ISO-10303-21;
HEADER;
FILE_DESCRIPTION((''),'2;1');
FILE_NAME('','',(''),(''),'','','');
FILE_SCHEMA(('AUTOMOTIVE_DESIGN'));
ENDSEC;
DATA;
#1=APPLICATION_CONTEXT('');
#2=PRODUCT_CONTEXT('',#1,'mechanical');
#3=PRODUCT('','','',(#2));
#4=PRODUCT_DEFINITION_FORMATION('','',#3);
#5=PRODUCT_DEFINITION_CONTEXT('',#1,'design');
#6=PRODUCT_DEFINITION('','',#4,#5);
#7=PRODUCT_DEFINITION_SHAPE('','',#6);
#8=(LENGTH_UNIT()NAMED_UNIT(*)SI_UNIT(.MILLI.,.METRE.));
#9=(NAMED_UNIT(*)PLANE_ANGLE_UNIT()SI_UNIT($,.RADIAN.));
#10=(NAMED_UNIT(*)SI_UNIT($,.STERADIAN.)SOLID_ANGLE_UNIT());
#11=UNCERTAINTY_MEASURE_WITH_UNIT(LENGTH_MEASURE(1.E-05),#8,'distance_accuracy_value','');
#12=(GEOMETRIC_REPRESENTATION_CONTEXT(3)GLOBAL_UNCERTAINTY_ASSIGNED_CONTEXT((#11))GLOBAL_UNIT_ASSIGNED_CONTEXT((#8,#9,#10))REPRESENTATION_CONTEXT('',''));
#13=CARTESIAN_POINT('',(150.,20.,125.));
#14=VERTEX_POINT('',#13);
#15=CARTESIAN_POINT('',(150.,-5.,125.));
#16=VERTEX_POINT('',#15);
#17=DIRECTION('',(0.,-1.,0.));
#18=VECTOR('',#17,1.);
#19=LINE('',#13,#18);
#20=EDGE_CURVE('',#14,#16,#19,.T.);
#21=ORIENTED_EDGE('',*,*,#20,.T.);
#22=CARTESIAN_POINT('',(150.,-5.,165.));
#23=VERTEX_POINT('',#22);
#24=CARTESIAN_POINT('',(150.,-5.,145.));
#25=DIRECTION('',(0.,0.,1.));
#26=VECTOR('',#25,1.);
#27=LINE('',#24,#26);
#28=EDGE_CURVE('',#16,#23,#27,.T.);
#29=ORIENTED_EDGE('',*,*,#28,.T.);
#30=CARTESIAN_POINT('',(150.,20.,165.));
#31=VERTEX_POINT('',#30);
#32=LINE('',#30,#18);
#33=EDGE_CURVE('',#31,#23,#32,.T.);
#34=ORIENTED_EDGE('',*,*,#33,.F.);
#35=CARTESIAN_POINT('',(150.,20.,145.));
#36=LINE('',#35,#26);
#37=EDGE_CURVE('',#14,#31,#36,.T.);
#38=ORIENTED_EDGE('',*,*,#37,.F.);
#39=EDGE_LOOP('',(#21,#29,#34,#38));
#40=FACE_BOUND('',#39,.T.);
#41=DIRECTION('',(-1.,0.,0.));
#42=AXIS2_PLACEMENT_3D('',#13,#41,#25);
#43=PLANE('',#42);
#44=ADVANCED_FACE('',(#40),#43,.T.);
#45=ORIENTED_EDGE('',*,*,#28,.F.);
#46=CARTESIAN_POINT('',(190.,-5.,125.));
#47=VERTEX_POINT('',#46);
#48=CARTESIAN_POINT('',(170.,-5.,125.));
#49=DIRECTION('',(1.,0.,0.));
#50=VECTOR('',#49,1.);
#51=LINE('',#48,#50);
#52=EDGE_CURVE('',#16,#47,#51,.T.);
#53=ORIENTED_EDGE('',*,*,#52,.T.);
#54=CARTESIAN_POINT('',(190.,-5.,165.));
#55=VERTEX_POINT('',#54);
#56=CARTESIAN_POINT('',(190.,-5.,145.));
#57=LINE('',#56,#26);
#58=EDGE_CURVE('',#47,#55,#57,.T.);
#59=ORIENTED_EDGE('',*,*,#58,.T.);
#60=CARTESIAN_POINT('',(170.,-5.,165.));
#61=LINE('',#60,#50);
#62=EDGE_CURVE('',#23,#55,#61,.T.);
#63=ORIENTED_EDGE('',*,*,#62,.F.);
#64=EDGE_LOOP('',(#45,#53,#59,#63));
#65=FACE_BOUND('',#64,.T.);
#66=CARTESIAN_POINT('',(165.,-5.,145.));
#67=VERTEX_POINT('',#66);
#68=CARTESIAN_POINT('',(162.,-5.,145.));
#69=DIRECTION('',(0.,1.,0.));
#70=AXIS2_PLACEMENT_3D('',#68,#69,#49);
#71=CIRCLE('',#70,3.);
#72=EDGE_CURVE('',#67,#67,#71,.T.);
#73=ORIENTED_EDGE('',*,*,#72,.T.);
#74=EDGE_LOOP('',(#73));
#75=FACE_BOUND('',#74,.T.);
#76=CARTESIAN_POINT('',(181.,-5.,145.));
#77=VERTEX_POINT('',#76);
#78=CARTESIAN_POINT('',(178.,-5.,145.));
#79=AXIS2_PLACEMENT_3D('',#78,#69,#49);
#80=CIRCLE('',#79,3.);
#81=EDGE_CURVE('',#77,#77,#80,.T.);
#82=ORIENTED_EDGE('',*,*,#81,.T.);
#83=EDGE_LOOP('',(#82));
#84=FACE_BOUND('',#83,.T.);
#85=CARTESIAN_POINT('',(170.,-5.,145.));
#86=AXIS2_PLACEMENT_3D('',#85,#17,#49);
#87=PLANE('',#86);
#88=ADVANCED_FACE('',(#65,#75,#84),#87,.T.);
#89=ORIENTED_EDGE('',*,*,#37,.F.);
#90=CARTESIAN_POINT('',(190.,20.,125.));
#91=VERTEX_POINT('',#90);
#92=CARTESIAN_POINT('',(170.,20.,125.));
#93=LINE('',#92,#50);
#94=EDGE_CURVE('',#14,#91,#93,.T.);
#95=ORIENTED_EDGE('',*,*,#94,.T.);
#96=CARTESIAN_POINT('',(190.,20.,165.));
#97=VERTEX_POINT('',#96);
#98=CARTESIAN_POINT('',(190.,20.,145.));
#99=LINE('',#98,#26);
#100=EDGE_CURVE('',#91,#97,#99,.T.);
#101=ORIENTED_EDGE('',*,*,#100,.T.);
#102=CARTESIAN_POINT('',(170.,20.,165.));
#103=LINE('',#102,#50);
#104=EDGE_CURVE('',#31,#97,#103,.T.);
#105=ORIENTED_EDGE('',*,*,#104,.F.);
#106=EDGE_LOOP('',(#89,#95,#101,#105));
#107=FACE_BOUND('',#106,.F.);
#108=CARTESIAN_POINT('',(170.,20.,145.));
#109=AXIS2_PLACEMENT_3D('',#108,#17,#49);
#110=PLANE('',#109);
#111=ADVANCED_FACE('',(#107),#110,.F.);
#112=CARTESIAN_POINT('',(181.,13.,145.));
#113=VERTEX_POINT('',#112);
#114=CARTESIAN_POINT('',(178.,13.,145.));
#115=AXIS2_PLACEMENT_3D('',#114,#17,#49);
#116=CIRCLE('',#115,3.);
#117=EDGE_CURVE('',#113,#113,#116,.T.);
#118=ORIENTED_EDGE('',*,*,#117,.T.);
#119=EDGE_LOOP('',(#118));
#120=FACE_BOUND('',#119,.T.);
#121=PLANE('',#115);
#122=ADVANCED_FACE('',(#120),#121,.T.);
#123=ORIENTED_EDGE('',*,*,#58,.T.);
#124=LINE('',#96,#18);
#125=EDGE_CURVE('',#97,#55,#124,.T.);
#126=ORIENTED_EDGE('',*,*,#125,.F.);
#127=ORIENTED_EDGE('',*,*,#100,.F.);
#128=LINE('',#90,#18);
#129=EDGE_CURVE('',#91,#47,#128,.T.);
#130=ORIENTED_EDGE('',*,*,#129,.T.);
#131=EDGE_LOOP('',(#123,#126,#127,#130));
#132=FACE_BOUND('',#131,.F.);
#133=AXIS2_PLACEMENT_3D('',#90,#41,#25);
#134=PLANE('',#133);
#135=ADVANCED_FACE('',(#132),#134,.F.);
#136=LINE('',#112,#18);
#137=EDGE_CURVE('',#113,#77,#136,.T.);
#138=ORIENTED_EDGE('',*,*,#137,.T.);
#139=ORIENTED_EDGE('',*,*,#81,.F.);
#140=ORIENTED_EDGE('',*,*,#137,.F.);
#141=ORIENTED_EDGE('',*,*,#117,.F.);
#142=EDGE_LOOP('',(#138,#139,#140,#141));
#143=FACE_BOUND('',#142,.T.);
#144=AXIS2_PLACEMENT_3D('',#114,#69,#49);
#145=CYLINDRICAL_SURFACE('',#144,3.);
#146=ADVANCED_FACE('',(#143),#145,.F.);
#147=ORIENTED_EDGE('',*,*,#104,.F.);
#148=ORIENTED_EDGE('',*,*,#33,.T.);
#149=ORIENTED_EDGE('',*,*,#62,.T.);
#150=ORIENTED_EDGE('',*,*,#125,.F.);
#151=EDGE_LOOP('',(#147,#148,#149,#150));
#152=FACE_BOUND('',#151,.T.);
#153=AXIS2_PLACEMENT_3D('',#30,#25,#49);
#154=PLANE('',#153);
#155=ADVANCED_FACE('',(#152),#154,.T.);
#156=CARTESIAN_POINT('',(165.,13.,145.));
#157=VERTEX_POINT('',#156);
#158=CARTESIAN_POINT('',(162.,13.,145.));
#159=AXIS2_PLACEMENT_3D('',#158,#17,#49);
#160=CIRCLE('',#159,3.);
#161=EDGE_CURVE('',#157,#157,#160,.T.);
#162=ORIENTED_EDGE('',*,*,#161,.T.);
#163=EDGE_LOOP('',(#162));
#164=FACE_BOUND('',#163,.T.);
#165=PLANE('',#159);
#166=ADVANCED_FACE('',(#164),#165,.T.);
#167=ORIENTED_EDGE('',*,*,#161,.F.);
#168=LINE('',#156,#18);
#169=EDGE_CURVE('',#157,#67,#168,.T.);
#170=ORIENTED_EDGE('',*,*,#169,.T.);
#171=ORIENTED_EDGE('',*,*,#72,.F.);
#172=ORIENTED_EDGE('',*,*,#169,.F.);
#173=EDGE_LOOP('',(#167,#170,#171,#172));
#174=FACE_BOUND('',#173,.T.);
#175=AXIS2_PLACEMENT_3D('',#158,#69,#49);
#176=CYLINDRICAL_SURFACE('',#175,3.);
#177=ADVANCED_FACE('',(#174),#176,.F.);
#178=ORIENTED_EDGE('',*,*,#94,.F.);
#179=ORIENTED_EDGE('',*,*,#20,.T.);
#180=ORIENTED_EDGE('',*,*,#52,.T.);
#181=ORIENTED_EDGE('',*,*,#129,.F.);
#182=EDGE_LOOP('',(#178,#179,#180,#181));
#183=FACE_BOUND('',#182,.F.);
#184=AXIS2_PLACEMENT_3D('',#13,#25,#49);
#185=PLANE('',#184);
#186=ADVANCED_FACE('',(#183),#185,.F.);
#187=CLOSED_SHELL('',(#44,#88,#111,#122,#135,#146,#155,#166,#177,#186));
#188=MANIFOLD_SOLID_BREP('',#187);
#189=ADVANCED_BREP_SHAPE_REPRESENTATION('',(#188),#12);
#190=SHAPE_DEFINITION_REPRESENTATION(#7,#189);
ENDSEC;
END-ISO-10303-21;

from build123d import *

# Parameters (mm, degrees)
CYLINDER016_R          = 3
CYLINDER016_DEPTH      = 20
CYLINDER016_ROLL_ANGLE = 90
CYLINDER015_R          = 3
CYLINDER015_DEPTH      = 20
CYLINDER015_ROLL_ANGLE = 90
BOX016_W               = 40
BOX016_H               = 40
BOX016_DEPTH           = 25
BOX016_ROLL_ANGLE      = 90


with BuildPart() as cylinder016:
    # Cylinder016 → Cylinder016 (new body)
    with BuildSketch(Plane.XY):
        Circle(CYLINDER016_R)
    extrude(amount=CYLINDER016_DEPTH)


with BuildPart() as cylinder016_1:
    # Cylinder016 roll: moved
    add(cylinder016.part.rotate(Axis((0, 0, 0), (1, 0, 0)), CYLINDER016_ROLL_ANGLE))


with BuildPart() as cylinder016_2:
    # Cylinder016 placement: moved
    add(cylinder016_1.part.moved(Location((162, -7, 145))))


with BuildPart() as cylinder015:
    # Cylinder015 → Cylinder015 (new body)
    with BuildSketch(Plane.XY):
        Circle(CYLINDER015_R)
    extrude(amount=CYLINDER015_DEPTH)


with BuildPart() as cylinder015_1:
    # Cylinder015 roll: moved
    add(cylinder015.part.rotate(Axis((0, 0, 0), (1, 0, 0)), CYLINDER015_ROLL_ANGLE))


with BuildPart() as cylinder015_2:
    # Cylinder015 placement: moved
    add(cylinder015_1.part.moved(Location((178, -7, 145))))


with BuildPart() as cut009:
    # Box016 → Box016 (new body)
    with BuildSketch(Plane.XY):
        with Locations((20, 20)):
            Rectangle(BOX016_W, BOX016_H)
    extrude(amount=BOX016_DEPTH)


with BuildPart() as cut009_1:
    # Box016 roll: moved
    add(cut009.part.rotate(Axis((0, 0, 0), (1, 0, 0)), BOX016_ROLL_ANGLE))


with BuildPart() as cut009_2:
    # Box016 placement: moved
    add(cut009_1.part.moved(Location((150, 0, 125))))

    # Cut008: cut Cylinder015
    add(cylinder015_2.part, mode=Mode.SUBTRACT)

    # Cut009: cut Cylinder016
    add(cylinder016_2.part, mode=Mode.SUBTRACT)


with BuildPart() as cut009_3:
    # Cut009 placement: moved
    add(cut009_2.part.moved(Location((0, 20, 0))))


solid = cut009_3.part
